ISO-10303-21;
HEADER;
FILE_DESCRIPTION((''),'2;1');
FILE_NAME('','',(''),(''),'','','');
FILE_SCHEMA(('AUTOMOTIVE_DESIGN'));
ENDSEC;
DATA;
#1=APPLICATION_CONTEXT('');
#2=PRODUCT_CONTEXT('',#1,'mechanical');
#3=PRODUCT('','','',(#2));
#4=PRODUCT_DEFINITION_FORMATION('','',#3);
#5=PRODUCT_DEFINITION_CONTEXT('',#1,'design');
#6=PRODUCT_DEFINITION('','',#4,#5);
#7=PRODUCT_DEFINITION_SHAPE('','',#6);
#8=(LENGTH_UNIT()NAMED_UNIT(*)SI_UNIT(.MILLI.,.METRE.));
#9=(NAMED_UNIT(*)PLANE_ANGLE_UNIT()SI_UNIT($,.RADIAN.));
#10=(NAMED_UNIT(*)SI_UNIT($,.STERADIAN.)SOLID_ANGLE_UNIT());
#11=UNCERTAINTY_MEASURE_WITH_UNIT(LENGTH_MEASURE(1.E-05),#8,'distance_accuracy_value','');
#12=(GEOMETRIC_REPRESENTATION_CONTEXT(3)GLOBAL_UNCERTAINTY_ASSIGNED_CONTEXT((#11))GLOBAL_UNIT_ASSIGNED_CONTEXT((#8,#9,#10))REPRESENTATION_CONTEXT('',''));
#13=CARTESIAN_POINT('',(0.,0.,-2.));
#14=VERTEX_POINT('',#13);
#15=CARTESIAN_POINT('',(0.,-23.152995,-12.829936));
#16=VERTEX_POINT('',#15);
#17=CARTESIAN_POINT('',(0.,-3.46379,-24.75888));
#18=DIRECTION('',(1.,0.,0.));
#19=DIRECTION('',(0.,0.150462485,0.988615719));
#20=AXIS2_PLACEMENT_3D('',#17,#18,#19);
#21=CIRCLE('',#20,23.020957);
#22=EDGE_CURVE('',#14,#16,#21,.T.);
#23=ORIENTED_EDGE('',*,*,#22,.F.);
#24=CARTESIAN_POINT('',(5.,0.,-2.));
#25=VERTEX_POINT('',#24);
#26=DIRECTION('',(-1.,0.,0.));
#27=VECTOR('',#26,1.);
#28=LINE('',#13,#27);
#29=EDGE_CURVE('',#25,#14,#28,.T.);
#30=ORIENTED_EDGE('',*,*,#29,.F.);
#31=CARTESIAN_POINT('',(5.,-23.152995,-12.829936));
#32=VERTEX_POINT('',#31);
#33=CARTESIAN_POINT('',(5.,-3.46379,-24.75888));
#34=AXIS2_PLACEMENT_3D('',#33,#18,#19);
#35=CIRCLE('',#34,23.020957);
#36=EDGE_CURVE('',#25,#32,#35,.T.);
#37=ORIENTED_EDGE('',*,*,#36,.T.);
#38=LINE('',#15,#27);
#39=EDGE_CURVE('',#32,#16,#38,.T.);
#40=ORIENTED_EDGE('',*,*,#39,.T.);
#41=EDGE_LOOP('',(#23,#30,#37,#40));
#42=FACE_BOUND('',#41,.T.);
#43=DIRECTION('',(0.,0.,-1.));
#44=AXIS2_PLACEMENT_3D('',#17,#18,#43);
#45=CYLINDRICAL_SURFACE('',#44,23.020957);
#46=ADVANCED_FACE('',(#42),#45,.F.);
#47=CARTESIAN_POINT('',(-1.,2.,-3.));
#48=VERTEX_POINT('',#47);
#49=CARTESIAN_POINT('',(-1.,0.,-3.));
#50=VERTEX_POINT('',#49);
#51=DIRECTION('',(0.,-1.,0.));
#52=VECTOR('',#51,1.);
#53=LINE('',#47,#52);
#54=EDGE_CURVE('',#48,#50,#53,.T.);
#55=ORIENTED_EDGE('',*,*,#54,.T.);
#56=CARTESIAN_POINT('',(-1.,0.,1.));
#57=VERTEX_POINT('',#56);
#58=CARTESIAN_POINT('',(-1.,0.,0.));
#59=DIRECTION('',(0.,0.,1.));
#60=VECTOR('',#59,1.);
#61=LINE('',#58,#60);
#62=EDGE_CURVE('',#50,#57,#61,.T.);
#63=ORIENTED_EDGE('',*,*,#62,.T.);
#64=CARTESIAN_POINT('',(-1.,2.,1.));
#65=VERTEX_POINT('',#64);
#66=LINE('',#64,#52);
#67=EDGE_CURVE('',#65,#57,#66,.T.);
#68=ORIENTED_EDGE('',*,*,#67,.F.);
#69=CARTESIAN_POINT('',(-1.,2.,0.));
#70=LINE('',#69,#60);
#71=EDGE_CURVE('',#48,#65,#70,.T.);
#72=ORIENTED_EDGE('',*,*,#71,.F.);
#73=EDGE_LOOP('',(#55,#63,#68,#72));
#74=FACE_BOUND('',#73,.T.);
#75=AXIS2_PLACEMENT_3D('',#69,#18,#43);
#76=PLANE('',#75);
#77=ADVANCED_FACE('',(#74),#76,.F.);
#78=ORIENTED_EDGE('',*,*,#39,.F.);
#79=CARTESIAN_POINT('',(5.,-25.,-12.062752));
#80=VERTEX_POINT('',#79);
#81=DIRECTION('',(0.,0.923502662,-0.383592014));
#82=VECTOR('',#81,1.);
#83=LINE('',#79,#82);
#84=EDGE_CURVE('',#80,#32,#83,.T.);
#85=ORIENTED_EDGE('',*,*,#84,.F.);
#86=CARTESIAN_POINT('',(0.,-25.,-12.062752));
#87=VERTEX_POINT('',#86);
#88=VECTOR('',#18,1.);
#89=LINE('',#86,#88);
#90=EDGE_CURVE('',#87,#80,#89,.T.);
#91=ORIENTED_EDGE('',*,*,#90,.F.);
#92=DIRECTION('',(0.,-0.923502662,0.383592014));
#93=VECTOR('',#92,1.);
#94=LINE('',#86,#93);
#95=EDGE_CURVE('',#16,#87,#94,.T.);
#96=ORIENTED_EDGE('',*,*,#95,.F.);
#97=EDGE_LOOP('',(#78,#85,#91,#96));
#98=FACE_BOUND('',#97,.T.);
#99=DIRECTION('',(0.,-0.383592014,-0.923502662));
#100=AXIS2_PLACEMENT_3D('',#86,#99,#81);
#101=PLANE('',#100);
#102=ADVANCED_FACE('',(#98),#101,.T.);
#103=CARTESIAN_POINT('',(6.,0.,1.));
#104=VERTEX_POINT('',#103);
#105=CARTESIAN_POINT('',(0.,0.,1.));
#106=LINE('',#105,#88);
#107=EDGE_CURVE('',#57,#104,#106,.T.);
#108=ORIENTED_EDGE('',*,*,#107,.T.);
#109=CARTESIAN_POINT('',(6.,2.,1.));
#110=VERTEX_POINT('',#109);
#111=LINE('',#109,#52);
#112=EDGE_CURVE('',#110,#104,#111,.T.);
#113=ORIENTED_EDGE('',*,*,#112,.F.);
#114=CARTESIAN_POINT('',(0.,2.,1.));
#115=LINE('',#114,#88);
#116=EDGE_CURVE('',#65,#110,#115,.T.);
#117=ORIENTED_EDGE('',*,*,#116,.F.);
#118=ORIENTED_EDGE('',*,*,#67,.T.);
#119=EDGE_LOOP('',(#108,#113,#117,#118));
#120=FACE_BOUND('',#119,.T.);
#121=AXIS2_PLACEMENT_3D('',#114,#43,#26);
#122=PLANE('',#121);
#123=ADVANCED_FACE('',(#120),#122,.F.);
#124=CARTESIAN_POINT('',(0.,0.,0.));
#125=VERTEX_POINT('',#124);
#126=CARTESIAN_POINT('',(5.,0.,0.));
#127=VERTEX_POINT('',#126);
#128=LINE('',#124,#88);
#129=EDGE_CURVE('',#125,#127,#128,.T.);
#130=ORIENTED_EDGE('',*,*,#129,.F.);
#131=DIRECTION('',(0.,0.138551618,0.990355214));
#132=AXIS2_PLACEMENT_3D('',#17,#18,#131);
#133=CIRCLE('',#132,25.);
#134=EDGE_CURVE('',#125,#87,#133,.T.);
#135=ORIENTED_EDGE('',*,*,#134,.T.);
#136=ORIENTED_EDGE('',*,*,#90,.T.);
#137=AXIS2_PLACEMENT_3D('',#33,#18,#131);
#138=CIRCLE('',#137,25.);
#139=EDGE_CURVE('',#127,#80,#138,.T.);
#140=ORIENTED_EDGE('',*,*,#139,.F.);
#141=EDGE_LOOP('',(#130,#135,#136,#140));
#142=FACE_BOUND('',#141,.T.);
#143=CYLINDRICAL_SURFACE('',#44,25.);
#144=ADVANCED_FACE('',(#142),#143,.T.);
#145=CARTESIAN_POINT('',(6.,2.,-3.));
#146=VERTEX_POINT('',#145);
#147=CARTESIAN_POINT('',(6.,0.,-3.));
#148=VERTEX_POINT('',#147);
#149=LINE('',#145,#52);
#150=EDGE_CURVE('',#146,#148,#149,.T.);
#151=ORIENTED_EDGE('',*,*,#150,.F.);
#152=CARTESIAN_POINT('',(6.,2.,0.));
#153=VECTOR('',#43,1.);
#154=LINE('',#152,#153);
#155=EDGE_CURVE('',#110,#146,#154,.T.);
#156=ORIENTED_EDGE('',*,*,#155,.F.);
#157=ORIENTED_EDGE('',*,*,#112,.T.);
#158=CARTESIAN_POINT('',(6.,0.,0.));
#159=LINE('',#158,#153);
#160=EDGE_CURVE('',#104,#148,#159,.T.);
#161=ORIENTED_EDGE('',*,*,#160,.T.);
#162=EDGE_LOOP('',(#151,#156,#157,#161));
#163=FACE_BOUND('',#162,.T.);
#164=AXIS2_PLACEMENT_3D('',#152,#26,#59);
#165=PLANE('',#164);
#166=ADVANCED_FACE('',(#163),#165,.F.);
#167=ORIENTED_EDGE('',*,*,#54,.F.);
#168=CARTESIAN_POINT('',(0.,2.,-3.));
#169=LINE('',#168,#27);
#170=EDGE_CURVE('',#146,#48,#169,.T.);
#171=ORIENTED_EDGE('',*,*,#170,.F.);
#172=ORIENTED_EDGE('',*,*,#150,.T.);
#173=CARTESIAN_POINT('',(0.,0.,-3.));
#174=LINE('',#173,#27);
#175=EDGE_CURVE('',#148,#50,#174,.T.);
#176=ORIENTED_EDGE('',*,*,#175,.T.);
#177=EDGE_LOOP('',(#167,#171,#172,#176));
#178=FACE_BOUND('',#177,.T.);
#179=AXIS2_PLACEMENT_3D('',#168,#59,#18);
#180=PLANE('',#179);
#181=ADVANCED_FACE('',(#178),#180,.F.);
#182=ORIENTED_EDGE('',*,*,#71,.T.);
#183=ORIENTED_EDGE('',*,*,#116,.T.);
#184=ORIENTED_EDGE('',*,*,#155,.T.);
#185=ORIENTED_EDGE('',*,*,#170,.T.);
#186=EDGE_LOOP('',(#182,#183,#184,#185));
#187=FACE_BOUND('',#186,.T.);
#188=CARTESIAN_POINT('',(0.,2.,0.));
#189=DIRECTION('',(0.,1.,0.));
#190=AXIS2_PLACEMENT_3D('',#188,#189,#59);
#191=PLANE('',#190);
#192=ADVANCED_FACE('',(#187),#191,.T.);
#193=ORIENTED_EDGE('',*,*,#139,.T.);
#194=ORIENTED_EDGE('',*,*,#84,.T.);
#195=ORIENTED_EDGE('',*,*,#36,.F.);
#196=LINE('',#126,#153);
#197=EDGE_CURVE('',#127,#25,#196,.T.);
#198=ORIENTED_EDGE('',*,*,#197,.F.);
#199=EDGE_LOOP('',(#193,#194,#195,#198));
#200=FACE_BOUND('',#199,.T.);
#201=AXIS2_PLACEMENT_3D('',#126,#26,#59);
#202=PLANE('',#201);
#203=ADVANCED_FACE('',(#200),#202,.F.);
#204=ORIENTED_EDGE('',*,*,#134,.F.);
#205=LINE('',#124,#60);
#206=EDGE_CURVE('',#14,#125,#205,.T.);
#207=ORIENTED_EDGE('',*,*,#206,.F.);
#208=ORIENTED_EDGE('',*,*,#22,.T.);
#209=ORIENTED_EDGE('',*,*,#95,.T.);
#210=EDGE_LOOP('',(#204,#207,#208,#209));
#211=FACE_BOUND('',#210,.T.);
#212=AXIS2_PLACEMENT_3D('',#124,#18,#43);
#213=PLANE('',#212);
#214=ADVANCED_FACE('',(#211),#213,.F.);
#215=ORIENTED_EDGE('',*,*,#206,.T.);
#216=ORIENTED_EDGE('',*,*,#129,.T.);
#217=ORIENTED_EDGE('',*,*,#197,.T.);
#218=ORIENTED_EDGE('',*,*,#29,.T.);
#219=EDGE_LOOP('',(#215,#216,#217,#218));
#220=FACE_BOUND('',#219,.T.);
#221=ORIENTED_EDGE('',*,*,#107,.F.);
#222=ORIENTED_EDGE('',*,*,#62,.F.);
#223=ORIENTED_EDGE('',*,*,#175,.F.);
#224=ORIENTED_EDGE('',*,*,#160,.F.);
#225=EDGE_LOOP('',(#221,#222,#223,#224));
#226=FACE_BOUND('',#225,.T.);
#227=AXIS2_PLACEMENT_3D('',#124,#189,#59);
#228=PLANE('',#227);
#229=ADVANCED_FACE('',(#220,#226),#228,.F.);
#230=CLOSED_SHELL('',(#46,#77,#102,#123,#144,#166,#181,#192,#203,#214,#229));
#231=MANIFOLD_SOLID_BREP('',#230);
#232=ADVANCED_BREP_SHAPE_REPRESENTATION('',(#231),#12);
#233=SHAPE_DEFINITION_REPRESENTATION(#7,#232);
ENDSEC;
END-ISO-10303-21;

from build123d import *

# Parameters (mm, degrees)
IZIM1_W                     = 5
IZIM1_H                     = 2
IZIM3_W                     = 5
IZIM3_H                     = 2
IZIM3_W_2                   = 7
IZIM3_H_2                   = 4
Y_KSEKLIK_EKSTR_ZYON1_DEPTH = 2


with BuildPart() as part:
    # Süpür1: sweep along a path in Çizim2
    with BuildLine(Plane(origin=(0, 0, 0), x_dir=(0, 0, -1), z_dir=(1, 0, 0))) as s_p_r1_path:
        ThreePointArc((0, 0), (2.242898882, -14.32797835), (12.06275188, -25))
    # Çizim1 → Süpür1 (sweep)
    with BuildSketch(Plane(origin=(0, 0, 0), x_dir=(1, 0, 0), z_dir=(0, 1, 0))):
        with Locations((2.5, 1)):
            Rectangle(IZIM1_W, IZIM1_H)
    sweep(path=s_p_r1_path.line)

    # Çizim3 → Yükseklik-Ekstrüzyon1 (add)
    with BuildSketch(Plane(origin=(0, 0, 0), x_dir=(1, 0, 0), z_dir=(0, 1, 0))):
        with Locations((2.5, 1)):
            Rectangle(IZIM3_W, IZIM3_H)
        with Locations((2.5, 1)):
            Rectangle(IZIM3_W_2, IZIM3_H_2)
        with Locations((2.5, 1)):
            Rectangle(IZIM3_W, IZIM3_H, mode=Mode.SUBTRACT)
        with Locations((2.5, 1)):
            Rectangle(IZIM3_W, IZIM3_H)
    extrude(amount=Y_KSEKLIK_EKSTR_ZYON1_DEPTH)


solid = part.part
